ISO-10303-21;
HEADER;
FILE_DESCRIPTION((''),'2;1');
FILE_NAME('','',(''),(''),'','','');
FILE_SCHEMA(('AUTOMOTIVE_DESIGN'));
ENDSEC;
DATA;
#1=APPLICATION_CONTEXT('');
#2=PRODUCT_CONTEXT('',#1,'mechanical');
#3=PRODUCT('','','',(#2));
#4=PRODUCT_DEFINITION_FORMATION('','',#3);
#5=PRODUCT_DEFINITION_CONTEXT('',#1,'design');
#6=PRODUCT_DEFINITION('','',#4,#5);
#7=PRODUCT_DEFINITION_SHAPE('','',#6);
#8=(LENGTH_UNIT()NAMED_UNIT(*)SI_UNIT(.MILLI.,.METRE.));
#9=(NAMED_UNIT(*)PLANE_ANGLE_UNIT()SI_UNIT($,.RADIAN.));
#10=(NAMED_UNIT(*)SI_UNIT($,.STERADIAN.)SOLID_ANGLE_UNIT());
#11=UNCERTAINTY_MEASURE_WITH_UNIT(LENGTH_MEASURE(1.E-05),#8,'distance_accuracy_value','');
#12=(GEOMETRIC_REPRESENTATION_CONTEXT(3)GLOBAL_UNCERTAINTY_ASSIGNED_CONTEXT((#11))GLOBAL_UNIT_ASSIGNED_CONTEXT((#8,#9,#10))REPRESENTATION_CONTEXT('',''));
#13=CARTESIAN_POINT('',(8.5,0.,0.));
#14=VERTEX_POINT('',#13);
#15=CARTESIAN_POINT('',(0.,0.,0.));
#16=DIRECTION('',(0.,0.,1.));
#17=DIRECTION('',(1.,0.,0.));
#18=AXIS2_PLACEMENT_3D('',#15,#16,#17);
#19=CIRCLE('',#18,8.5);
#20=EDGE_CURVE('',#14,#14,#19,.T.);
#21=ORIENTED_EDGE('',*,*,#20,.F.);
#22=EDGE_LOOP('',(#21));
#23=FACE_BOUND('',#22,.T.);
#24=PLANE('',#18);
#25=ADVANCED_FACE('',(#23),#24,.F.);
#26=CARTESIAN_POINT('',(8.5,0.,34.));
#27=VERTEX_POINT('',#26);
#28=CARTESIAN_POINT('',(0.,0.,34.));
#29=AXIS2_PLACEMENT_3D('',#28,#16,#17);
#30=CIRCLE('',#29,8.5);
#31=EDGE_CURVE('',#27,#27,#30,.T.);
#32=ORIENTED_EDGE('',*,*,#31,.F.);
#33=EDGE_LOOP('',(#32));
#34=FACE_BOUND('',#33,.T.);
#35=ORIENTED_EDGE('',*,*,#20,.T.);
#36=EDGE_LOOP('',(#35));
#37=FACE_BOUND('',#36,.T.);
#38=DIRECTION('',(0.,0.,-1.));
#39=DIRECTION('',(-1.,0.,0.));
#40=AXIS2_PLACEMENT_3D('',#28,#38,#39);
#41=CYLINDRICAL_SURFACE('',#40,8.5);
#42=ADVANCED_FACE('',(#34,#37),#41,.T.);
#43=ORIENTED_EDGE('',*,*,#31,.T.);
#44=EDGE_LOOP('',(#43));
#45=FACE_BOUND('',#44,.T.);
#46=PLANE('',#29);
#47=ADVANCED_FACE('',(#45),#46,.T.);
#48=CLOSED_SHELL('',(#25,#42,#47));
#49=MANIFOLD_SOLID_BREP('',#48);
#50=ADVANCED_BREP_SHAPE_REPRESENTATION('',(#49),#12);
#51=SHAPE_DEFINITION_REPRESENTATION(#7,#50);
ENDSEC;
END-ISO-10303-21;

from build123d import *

# Parameters (mm, degrees)
SKETCH1_R           = 8.5
BOSS_EXTRUDE1_DEPTH = 34


with BuildPart() as part:
    # Sketch1 → Boss-Extrude1 (new body)
    with BuildSketch(Plane.XY):
        Circle(SKETCH1_R)
    extrude(amount=BOSS_EXTRUDE1_DEPTH)


solid = part.part
